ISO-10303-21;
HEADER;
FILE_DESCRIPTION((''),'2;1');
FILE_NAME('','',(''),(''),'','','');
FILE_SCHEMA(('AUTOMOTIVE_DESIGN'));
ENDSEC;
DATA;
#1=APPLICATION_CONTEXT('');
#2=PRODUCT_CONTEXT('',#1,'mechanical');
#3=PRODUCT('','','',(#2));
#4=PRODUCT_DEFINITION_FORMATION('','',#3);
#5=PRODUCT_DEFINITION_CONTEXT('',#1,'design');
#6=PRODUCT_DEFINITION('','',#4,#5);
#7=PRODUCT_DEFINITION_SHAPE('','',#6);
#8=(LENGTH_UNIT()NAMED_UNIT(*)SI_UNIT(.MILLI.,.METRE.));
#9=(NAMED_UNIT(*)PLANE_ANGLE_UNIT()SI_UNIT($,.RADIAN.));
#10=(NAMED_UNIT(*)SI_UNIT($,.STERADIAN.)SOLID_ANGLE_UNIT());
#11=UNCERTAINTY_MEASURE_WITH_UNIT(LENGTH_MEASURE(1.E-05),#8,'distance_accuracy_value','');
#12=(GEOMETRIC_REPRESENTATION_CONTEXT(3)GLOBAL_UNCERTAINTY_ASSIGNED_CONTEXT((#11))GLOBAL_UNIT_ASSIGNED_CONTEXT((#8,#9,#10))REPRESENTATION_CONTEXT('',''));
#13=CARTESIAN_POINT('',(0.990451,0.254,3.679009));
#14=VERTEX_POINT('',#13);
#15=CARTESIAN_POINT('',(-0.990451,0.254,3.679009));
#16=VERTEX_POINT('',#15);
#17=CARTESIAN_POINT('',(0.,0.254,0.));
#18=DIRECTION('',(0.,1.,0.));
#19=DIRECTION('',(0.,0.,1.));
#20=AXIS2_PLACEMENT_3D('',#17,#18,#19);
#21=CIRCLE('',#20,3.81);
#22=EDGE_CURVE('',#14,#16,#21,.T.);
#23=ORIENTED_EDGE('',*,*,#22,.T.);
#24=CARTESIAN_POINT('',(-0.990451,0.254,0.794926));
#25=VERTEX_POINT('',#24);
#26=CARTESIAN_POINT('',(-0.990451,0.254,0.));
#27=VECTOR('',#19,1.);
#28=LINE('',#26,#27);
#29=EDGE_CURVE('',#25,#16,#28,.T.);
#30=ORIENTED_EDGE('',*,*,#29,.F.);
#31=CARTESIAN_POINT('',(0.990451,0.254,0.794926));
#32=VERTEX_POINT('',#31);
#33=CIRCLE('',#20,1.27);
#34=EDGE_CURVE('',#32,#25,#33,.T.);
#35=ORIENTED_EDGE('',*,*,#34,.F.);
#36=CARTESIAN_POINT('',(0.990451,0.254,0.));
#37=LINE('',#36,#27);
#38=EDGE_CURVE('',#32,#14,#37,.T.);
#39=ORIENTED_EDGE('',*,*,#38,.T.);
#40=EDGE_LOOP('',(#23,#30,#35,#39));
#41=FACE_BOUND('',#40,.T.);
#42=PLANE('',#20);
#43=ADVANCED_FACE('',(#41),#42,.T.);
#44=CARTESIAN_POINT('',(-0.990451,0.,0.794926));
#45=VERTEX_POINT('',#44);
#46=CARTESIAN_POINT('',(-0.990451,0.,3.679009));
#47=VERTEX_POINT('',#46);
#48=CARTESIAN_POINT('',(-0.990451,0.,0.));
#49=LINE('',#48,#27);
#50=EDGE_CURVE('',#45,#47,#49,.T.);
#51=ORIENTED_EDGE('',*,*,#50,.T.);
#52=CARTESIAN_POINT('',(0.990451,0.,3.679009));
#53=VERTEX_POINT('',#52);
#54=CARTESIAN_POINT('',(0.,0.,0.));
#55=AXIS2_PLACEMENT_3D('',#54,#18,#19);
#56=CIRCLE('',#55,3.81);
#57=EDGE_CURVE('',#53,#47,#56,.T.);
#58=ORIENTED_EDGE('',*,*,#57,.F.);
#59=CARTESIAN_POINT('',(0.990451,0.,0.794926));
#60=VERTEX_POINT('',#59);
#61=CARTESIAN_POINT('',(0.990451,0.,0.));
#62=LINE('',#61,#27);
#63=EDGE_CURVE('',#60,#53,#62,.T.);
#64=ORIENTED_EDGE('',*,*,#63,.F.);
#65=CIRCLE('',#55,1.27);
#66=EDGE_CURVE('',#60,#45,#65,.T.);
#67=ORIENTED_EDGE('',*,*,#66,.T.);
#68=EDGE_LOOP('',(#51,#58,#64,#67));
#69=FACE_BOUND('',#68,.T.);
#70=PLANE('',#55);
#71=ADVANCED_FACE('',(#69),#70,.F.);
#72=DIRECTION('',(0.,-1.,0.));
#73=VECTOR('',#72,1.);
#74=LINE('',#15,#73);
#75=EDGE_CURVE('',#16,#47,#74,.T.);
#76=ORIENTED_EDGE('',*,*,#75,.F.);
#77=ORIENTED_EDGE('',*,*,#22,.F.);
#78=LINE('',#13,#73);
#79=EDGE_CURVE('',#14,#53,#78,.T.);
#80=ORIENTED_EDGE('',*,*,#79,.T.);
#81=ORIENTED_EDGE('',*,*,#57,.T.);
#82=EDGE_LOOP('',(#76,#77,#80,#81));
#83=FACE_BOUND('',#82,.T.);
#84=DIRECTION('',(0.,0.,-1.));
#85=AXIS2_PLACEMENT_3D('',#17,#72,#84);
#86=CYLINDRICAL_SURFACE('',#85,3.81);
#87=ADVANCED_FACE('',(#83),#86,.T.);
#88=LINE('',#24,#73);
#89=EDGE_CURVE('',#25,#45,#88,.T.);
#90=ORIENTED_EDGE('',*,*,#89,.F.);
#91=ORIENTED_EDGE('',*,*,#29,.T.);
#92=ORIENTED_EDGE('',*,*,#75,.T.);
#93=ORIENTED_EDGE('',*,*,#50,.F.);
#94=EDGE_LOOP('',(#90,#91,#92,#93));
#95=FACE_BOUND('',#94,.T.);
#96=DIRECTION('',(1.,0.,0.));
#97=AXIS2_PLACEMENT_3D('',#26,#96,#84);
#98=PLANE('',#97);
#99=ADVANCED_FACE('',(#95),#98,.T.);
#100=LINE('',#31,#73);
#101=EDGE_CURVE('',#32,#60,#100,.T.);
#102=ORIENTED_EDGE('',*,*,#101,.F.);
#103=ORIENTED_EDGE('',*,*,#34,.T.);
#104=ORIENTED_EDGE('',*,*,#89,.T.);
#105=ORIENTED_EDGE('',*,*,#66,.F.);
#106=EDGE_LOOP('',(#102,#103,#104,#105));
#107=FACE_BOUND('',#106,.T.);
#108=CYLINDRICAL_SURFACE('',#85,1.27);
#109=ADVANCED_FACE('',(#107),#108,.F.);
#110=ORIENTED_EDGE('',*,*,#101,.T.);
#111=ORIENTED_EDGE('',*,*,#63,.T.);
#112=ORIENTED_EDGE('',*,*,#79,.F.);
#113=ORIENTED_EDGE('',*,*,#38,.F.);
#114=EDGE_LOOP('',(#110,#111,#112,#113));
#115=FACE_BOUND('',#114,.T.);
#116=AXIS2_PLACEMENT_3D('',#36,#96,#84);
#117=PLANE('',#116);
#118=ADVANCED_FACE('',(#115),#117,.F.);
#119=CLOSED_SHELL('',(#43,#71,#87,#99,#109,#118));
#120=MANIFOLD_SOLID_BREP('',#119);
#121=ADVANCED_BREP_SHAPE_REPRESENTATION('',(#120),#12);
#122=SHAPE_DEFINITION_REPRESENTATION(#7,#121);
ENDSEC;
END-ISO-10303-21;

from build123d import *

# Parameters (mm, degrees)
BOSS_EXTRUDE1_DEPTH = 0.254


with BuildPart() as part:
    # Sketch1 → Boss-Extrude1 (new body)
    with BuildSketch(Plane(origin=(0, 0, 0), x_dir=(1, 0, 0), z_dir=(0, 1, 0))):
        with BuildLine():
            Line((-0.990450861, -3.679008982), (-0.990450861, -0.79492584))
            ThreePointArc((-0.990450861, -0.79492584), (0, 1.27), (0.990450861, -0.79492584))
            Line((0.990450861, -0.79492584), (0.990450861, -3.679008982))
            ThreePointArc((0.990450861, -3.679008982), (0, 3.81), (-0.990450861, -3.679008982))
        make_face()
    extrude(amount=BOSS_EXTRUDE1_DEPTH)


solid = part.part
